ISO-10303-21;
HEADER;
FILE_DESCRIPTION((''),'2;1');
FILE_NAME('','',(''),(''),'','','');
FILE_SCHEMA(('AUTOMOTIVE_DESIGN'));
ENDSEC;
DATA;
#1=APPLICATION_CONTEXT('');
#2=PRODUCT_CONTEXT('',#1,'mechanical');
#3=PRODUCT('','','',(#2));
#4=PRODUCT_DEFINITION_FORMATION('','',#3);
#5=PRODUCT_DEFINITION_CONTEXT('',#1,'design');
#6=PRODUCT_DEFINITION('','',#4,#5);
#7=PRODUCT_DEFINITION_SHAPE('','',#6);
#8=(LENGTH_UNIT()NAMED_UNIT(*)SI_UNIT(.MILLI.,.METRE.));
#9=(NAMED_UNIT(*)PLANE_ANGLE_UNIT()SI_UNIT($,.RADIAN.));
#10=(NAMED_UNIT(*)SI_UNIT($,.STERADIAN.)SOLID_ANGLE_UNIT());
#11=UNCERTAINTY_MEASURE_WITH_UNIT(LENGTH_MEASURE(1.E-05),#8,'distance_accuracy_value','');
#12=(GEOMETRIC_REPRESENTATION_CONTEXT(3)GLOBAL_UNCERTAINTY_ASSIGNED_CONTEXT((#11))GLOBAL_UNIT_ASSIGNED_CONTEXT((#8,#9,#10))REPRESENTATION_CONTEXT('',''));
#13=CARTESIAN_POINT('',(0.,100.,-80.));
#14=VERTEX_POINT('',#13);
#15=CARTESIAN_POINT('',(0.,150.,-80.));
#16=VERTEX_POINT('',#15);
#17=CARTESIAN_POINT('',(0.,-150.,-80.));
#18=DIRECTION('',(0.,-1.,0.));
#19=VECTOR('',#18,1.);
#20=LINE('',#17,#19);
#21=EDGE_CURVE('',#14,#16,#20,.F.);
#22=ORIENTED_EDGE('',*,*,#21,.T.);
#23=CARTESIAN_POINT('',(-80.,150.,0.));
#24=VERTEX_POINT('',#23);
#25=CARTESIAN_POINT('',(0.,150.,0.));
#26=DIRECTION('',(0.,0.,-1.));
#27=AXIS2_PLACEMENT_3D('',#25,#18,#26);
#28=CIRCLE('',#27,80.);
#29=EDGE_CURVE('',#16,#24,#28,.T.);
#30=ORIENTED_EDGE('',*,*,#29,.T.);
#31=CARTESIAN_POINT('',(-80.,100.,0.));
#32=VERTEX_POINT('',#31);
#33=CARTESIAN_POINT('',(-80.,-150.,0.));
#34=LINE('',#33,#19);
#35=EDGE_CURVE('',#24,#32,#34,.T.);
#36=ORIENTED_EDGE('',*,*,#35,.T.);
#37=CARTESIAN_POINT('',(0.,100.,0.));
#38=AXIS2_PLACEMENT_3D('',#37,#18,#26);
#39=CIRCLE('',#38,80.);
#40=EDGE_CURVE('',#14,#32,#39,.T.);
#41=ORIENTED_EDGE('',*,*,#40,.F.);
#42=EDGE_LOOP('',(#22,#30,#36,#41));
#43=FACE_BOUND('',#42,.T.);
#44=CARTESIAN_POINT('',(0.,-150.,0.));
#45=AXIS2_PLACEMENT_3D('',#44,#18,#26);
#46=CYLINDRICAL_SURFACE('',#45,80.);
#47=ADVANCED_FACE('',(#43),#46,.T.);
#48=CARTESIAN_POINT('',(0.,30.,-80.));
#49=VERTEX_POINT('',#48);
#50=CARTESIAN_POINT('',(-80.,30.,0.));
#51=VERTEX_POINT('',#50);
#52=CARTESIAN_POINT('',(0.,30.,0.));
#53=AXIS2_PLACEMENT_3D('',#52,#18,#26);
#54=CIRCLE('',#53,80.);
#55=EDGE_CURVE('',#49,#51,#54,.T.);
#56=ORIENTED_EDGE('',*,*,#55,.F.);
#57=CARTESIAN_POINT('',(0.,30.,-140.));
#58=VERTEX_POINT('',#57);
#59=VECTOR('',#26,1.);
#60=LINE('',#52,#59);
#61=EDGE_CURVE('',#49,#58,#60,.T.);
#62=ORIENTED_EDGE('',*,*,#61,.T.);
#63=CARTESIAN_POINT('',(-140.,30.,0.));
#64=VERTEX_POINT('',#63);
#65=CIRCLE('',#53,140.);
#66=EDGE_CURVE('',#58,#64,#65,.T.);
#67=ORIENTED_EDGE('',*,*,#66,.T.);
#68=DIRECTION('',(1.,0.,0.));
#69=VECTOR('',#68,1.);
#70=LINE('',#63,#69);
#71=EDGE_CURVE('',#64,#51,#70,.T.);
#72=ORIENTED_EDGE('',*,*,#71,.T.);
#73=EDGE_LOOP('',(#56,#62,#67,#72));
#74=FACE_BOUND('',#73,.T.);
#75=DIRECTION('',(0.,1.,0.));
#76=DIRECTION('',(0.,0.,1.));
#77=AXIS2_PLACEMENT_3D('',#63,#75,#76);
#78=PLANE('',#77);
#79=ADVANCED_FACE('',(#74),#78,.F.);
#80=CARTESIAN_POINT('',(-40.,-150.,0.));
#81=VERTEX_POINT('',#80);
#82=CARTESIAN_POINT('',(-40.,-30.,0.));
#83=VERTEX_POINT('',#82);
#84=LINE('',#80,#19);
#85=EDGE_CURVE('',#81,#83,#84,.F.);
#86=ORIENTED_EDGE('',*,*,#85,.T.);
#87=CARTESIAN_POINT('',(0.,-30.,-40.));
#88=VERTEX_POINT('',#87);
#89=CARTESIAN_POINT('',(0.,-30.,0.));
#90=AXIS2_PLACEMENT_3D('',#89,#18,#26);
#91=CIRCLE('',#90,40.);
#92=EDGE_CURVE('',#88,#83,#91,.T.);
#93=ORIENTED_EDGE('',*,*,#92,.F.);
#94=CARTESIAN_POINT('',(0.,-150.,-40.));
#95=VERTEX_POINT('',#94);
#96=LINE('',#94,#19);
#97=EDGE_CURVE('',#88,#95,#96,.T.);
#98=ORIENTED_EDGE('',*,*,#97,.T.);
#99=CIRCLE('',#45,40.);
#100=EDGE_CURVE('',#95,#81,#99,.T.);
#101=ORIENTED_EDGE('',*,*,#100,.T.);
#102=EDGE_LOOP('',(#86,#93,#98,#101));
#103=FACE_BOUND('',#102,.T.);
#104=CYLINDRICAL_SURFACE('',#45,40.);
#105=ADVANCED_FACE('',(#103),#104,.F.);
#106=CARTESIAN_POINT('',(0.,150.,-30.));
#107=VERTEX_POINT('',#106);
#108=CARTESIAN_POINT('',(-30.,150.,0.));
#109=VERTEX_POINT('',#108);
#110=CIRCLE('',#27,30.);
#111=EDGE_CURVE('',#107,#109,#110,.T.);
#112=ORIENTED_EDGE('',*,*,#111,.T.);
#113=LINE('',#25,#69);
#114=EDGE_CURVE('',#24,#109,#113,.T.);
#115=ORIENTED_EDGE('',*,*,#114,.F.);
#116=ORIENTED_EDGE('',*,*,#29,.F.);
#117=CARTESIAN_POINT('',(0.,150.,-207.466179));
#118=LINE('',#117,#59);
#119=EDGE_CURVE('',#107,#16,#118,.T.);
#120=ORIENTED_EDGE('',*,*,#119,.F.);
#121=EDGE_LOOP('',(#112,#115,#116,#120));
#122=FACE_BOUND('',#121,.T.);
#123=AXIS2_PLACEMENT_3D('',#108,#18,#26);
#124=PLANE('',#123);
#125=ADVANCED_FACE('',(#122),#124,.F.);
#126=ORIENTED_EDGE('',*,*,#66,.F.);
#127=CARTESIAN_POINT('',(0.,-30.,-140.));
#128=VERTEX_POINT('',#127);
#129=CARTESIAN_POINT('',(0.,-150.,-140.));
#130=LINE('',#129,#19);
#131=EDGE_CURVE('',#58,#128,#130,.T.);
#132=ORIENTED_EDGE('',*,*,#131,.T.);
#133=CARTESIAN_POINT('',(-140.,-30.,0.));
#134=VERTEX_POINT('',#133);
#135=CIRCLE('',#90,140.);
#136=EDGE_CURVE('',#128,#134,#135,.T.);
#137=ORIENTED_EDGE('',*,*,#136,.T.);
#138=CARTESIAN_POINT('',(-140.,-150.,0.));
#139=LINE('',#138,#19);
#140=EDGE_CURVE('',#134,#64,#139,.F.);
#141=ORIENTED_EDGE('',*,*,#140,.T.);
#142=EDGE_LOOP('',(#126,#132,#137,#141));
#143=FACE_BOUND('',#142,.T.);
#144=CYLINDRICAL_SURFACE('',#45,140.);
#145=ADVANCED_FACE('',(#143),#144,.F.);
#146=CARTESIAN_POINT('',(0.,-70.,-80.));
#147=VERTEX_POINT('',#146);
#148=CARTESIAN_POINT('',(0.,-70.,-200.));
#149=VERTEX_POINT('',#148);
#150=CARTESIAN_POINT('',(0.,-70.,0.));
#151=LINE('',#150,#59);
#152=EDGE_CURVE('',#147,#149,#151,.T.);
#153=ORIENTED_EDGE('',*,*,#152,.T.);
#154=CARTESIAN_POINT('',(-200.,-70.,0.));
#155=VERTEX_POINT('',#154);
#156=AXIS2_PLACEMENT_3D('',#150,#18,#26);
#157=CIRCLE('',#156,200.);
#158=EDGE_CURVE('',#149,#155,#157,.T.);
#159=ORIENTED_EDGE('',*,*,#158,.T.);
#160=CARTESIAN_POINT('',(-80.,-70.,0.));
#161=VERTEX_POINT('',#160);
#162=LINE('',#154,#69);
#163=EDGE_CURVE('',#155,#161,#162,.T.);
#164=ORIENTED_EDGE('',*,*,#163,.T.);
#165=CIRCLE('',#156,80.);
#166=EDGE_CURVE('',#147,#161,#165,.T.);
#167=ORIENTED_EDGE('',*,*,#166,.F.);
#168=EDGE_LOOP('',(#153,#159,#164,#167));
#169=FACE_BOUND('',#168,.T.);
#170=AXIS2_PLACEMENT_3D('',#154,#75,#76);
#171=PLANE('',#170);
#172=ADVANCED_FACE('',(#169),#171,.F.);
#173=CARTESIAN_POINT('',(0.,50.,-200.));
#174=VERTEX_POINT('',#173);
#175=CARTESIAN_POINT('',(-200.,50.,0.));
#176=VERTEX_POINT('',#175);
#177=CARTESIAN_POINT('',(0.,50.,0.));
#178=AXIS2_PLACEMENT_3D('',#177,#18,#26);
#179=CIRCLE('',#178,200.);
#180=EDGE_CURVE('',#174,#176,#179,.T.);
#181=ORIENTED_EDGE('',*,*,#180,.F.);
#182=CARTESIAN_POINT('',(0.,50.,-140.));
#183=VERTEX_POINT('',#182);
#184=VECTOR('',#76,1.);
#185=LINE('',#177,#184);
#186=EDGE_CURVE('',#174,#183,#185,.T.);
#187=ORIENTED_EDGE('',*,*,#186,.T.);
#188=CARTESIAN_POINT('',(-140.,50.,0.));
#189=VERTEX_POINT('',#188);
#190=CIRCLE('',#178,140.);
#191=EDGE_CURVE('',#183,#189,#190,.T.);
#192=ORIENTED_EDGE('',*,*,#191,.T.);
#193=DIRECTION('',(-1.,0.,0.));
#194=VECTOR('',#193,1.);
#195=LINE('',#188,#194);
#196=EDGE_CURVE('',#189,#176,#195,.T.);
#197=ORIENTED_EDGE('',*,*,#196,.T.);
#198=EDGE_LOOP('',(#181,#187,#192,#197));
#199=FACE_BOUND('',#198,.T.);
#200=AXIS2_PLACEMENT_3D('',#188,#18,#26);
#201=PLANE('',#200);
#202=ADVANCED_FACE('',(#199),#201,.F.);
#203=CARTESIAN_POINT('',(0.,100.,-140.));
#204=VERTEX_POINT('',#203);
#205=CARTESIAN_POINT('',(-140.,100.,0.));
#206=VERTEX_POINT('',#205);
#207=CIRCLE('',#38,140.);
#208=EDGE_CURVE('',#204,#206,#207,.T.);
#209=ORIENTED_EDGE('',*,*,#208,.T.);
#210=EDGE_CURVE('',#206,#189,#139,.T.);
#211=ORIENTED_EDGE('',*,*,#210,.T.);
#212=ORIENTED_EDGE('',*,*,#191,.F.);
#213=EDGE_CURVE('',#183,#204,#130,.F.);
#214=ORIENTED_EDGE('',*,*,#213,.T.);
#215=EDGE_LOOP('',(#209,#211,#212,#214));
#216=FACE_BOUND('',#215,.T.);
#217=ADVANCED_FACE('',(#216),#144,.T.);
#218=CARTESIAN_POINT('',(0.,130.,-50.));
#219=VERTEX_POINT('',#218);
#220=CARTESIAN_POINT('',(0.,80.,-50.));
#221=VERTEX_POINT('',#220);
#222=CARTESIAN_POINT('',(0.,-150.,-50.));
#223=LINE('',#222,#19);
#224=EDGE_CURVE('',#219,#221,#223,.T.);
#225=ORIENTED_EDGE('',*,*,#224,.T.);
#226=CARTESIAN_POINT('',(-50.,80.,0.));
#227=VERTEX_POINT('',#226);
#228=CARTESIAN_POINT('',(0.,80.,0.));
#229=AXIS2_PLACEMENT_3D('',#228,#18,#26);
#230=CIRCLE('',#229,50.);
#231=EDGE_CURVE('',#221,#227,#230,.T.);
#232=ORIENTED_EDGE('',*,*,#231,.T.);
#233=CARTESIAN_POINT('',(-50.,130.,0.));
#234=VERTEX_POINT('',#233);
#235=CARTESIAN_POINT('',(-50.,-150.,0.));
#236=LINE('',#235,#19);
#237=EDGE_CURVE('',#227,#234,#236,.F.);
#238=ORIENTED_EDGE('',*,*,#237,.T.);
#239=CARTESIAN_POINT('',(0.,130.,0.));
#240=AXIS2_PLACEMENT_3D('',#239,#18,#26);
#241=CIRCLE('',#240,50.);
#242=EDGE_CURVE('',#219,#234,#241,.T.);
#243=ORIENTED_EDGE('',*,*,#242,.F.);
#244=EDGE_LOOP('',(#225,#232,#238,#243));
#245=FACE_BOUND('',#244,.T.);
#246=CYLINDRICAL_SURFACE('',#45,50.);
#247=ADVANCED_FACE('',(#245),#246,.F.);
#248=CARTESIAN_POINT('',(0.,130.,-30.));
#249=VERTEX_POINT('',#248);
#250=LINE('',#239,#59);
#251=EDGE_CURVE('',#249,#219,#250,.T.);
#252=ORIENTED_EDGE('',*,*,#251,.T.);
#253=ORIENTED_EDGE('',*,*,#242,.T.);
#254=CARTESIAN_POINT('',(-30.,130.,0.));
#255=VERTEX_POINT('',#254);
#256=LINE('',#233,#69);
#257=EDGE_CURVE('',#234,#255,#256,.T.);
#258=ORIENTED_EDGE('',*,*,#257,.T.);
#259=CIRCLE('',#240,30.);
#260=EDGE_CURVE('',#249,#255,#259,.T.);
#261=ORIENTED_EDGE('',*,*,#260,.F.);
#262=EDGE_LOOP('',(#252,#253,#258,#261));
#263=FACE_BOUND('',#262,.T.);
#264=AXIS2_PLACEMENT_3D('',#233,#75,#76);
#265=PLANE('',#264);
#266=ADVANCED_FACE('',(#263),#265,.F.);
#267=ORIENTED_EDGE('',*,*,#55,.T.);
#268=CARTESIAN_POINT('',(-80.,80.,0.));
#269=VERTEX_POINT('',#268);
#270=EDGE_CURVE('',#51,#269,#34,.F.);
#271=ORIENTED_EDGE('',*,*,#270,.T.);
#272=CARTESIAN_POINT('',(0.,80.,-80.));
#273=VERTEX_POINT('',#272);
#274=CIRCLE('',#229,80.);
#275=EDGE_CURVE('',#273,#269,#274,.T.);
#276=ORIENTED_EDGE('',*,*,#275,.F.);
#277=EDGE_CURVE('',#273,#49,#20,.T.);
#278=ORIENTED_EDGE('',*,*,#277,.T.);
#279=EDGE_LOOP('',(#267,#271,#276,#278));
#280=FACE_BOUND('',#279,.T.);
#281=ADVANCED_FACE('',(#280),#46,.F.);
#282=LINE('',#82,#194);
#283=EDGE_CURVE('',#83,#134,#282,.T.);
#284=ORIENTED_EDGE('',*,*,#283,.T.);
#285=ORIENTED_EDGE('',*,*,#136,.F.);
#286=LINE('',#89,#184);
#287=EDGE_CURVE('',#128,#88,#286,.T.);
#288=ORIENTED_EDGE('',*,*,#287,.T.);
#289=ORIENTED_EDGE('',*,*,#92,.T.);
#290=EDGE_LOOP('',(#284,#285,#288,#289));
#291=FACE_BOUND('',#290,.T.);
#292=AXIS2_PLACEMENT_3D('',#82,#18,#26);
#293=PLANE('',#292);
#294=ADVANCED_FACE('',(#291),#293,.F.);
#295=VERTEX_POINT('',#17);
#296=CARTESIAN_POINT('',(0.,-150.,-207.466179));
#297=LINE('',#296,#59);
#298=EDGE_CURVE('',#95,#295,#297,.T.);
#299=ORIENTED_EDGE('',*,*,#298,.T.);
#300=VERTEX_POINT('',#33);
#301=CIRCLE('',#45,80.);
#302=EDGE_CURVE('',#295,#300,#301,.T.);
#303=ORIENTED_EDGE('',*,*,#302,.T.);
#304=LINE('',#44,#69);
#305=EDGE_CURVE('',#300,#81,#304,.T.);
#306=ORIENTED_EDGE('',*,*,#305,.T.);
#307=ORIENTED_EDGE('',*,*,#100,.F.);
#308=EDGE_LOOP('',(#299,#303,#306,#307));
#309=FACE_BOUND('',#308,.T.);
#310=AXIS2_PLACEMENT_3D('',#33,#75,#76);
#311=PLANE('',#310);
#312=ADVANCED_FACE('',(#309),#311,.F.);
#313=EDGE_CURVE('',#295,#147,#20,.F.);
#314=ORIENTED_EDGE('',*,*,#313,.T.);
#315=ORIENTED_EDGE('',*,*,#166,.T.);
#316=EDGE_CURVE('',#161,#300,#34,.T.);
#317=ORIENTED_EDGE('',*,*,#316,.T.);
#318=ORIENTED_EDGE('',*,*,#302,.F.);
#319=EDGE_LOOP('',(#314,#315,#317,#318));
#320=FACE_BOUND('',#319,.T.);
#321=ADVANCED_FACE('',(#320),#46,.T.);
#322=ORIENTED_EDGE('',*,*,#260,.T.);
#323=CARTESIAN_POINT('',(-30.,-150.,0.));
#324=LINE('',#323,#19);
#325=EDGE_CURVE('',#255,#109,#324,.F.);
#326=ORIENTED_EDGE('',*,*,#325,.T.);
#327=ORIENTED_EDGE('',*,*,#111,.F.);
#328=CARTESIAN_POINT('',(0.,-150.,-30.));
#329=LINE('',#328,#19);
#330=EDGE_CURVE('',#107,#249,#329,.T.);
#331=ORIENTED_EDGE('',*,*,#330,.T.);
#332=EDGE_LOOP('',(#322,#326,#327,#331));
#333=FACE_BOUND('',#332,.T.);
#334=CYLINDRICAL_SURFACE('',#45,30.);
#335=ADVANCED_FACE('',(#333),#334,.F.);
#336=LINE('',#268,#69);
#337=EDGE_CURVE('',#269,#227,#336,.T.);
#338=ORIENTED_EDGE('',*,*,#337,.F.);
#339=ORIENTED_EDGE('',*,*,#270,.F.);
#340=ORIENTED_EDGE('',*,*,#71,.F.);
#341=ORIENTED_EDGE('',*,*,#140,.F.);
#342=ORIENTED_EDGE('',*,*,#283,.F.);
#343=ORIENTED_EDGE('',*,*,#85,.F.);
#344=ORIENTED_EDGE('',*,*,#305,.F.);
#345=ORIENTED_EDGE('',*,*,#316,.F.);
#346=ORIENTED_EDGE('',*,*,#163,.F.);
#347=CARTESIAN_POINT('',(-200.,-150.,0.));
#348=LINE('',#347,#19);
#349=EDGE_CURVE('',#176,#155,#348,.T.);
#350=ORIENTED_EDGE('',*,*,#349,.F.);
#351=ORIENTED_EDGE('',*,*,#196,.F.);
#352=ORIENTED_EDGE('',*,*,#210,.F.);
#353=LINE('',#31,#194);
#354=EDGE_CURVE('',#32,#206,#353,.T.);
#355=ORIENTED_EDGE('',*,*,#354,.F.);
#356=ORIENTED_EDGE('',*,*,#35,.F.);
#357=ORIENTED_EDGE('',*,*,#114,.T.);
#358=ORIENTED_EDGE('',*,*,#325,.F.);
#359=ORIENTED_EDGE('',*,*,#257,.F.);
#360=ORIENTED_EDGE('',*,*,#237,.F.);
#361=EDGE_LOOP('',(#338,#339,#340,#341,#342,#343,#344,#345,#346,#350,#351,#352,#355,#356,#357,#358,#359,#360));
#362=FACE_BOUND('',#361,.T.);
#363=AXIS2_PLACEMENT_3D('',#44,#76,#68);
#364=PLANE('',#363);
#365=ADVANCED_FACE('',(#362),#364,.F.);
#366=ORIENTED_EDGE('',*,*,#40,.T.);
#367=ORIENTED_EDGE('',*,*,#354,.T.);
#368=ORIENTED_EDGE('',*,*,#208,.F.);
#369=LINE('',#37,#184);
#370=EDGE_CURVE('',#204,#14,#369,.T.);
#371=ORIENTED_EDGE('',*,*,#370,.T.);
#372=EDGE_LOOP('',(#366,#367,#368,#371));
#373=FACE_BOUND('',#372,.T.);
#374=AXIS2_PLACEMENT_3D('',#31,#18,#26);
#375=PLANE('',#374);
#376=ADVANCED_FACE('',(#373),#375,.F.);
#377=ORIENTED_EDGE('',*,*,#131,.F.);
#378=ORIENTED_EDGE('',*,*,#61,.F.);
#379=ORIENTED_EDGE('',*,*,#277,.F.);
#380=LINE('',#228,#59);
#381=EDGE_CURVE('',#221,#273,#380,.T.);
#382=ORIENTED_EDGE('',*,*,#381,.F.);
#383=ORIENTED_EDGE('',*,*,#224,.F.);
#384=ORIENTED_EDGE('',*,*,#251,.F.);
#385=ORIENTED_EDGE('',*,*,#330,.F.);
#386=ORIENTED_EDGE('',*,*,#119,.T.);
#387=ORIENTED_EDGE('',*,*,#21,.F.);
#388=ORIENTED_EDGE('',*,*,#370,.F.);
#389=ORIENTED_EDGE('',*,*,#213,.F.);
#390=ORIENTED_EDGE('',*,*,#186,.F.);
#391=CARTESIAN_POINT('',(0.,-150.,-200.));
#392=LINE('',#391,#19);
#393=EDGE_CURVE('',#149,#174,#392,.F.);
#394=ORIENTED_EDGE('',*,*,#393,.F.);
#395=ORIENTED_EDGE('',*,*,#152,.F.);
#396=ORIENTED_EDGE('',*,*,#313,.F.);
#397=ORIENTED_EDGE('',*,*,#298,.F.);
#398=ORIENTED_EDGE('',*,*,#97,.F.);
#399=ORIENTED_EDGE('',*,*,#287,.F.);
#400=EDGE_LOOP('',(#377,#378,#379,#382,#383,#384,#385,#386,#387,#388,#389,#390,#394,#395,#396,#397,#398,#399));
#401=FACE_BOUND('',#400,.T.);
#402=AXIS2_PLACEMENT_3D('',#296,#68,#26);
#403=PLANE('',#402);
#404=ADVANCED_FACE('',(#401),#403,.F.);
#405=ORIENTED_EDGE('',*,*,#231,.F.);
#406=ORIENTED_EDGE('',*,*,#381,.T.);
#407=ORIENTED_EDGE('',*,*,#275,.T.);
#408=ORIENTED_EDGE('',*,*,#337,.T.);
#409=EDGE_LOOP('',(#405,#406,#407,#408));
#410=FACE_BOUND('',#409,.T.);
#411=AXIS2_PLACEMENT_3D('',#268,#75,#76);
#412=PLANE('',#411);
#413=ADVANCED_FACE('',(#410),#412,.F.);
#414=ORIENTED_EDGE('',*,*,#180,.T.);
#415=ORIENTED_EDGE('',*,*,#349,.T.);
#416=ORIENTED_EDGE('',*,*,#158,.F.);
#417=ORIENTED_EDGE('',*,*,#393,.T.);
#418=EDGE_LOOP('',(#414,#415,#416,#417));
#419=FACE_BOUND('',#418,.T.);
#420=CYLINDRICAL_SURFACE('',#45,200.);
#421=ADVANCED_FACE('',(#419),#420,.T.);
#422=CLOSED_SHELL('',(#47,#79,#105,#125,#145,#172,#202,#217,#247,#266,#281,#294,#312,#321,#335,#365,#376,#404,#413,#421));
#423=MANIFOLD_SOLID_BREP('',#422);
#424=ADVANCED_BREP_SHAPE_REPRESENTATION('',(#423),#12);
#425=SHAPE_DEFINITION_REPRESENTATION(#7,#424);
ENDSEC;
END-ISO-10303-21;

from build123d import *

# Parameters (mm, degrees)
SKETCH2_W          = 278.036516336
SKETCH2_H          = 207.466179174
CUT_EXTRUDE1_DEPTH = 413.310562562


with BuildPart() as part:
    # Sketch1 → Revolve1 (revolve)
    with BuildSketch(Plane.XY, mode=Mode.PRIVATE) as revolve1_sk:
        Polygon((-30, 150), (-80, 150), (-80, 100), (-140, 100), (-140, 50), (-200, 50), (-200, -70), (-80, -70), (-80, -150), (-40, -150), (-40, -30), (-140, -30), (-140, 30), (-80, 30), (-80, 80), (-50, 80), (-50, 130), (-30, 130), align=None)
    revolve(revolve1_sk.sketch.rotate(Axis((0, -150, 0), (0, 1, 0)), 270), axis=Axis((0, -150, 0), (0, 1, 0)))

    # Sketch2 → Cut-Extrude1 (cut, through all)
    with BuildSketch(Plane(origin=(0, 150, 0), x_dir=(1, 0, 0), z_dir=(0, 1, 0))):
        with Locations((-139.018258168, 103.733089587)):
            Rectangle(SKETCH2_W, SKETCH2_H)
    extrude(amount=-CUT_EXTRUDE1_DEPTH, mode=Mode.SUBTRACT)


solid = part.part
